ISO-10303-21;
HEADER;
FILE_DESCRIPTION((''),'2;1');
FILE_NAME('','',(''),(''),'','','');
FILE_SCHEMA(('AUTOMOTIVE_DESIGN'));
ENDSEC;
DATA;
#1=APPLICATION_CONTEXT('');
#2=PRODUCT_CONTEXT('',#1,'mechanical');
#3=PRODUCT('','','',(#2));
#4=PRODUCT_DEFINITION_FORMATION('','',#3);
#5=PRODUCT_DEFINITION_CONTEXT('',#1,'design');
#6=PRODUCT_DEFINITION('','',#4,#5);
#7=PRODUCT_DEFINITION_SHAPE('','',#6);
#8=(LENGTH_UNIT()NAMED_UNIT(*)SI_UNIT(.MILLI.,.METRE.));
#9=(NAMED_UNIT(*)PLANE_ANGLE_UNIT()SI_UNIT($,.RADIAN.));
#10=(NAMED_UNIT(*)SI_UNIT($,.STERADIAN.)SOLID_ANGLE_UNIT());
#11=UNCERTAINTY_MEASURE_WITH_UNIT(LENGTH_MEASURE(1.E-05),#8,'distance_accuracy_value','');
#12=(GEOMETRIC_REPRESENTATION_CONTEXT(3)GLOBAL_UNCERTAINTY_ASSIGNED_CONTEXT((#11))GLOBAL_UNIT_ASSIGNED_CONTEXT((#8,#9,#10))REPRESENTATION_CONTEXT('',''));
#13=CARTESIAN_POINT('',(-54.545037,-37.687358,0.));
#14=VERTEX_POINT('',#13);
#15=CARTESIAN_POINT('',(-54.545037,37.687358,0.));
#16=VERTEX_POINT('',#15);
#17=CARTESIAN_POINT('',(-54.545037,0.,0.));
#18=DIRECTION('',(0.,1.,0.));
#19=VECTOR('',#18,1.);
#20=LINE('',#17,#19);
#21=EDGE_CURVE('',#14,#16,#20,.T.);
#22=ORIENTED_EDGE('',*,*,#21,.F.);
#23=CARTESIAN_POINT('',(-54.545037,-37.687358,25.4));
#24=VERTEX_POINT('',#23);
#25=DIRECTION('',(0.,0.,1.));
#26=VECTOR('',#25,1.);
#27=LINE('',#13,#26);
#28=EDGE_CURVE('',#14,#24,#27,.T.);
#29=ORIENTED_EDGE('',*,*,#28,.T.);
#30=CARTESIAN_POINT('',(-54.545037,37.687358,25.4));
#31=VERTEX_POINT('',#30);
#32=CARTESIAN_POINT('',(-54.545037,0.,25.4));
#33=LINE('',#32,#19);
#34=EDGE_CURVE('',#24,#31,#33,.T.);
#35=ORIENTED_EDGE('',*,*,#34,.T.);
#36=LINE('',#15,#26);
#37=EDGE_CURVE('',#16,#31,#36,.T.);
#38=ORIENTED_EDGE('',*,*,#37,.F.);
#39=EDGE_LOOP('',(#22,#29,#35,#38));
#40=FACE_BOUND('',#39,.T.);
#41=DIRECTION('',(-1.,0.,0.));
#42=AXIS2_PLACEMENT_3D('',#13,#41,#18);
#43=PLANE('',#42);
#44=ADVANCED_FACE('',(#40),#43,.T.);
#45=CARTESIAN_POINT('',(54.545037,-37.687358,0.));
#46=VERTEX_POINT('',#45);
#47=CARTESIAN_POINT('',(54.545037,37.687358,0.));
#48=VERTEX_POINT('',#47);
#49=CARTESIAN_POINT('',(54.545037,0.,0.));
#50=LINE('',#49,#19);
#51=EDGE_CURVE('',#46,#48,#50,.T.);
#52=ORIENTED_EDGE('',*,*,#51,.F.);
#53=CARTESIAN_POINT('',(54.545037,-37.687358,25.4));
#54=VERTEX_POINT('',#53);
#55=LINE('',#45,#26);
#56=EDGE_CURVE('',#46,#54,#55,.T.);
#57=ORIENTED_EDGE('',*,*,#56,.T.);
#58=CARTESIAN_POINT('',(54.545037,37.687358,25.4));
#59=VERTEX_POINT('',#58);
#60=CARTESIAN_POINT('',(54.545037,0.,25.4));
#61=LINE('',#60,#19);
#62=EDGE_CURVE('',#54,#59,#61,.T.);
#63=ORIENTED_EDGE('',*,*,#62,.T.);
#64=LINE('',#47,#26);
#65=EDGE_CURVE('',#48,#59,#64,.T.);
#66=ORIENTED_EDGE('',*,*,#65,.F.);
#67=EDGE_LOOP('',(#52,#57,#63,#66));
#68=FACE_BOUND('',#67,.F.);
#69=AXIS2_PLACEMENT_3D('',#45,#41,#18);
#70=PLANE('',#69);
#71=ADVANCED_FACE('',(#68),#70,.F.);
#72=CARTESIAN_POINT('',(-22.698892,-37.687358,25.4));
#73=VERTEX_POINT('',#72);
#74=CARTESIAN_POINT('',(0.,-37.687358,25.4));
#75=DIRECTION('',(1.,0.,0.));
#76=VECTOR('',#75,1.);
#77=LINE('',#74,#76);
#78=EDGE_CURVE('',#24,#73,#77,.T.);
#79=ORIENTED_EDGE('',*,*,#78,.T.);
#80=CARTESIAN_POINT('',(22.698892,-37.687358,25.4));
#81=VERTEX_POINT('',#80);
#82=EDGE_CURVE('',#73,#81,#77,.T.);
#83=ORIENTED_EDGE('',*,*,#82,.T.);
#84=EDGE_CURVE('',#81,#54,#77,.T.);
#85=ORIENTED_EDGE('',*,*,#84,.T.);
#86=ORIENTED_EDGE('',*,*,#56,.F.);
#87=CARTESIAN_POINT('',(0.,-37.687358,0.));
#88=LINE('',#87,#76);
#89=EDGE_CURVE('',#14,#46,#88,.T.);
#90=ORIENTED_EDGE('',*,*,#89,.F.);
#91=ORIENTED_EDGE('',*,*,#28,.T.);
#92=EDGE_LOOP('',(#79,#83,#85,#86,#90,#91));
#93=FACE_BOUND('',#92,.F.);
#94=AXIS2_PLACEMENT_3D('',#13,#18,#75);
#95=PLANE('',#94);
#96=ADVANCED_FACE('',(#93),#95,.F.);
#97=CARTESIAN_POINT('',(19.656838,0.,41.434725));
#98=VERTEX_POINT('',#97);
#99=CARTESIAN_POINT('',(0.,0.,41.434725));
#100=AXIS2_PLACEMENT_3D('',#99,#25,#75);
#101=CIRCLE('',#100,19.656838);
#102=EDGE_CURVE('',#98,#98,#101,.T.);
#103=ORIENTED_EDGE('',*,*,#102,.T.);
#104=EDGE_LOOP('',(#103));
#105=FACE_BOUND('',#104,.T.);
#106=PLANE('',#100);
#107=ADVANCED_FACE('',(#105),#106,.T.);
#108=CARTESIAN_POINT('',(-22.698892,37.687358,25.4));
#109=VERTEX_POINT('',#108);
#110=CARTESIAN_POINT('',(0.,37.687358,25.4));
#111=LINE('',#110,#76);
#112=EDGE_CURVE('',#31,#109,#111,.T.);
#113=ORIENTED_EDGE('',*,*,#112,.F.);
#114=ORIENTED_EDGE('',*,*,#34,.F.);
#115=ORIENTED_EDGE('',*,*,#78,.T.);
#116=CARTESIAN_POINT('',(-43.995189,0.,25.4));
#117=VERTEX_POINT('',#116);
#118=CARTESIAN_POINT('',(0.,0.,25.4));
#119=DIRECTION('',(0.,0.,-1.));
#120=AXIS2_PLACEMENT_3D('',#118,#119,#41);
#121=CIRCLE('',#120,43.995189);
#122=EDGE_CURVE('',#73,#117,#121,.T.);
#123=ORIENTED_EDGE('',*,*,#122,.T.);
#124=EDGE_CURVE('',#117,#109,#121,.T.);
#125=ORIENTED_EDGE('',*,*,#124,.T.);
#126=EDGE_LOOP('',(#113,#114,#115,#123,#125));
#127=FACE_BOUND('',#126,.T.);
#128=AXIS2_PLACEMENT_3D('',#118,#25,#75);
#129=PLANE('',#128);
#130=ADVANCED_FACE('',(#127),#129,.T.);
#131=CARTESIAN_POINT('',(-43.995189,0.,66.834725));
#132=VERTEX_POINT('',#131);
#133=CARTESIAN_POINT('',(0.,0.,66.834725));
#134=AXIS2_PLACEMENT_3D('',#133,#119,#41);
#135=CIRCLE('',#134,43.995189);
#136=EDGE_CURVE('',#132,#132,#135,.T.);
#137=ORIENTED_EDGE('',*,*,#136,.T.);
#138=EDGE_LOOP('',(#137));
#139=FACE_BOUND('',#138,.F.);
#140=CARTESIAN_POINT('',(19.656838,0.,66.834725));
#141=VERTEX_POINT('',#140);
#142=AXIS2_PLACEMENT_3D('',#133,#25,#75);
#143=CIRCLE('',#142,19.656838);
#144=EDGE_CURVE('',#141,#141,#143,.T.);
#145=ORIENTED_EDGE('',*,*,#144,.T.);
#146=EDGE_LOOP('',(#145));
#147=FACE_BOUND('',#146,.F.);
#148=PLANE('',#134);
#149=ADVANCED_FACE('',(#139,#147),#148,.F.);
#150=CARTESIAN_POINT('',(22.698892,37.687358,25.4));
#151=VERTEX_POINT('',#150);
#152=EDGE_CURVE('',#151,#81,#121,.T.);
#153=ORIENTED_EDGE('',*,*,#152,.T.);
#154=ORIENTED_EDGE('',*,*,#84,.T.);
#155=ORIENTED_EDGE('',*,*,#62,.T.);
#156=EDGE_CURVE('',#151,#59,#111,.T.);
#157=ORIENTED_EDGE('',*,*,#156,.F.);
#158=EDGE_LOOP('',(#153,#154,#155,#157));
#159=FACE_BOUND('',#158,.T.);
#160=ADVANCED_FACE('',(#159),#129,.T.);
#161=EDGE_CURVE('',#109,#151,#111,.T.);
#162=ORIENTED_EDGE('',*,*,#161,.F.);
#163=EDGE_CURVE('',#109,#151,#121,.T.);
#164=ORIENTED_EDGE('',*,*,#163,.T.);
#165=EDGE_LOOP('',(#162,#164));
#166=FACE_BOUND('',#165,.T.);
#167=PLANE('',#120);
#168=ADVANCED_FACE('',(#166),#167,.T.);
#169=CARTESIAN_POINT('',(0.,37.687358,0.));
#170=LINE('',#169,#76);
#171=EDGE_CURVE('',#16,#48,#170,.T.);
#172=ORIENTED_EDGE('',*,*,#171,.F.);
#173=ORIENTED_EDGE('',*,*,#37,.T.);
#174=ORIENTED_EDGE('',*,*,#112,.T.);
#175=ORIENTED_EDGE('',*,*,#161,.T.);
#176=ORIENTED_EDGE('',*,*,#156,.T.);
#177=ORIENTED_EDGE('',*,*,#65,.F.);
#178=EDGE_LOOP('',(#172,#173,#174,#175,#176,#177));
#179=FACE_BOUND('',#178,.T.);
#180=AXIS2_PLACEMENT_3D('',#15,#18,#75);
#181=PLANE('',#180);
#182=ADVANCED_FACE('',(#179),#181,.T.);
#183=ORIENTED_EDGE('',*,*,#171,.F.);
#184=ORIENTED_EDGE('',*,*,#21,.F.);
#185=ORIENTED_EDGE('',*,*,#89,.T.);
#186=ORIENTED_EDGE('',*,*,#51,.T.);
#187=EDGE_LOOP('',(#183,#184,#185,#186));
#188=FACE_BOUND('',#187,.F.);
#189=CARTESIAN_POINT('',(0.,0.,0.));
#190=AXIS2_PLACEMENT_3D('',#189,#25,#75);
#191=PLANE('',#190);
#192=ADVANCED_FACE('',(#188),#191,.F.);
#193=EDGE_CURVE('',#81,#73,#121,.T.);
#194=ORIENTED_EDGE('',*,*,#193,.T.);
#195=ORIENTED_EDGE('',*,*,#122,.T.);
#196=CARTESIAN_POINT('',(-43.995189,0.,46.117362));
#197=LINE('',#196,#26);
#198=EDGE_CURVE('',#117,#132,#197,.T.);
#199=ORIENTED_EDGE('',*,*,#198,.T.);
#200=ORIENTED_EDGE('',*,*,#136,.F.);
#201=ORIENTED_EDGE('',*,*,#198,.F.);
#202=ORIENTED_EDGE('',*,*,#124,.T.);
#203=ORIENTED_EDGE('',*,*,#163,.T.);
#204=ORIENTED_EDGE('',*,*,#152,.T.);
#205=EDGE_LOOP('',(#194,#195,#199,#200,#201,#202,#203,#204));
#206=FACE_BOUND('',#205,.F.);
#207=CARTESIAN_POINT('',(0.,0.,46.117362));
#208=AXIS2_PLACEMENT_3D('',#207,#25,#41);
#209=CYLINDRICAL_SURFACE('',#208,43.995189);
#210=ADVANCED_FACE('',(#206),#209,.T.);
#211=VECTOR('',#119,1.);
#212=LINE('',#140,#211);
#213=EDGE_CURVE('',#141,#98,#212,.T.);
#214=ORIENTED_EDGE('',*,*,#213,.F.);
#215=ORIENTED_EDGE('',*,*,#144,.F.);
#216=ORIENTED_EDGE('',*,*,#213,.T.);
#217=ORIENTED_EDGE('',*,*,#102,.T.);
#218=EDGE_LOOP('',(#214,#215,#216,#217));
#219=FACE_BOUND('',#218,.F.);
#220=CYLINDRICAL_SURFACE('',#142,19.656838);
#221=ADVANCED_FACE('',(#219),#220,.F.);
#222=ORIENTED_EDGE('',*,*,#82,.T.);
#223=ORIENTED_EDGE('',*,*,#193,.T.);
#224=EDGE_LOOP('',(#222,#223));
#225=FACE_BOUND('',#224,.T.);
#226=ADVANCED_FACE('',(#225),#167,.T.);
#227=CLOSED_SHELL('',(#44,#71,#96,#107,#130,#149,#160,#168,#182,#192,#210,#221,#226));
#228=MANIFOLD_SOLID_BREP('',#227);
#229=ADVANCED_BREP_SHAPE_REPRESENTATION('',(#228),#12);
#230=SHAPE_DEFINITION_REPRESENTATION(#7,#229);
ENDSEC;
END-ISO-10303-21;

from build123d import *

# Parameters (mm, degrees)
F0_W     = 109.0900748968
F0_H     = 75.3747150302
F1_DEPTH = 25.4
F2_W     = 43.9951886518
F2_H     = 41.4347245544
F4_R     = 19.656837966
F5_DEPTH = 25.4


with BuildPart() as f1:
    # F0 (on Top) → F1 (new body)
    with BuildSketch(Plane.XY):
        Rectangle(F0_W, F0_H)
    extrude(amount=F1_DEPTH)

    # F2 (on Front) → F3 (revolve)
    with BuildSketch(Plane.XZ):
        with Locations((-21.9975943259, 46.1173622772)):
            Rectangle(F2_W, F2_H)
    revolve(axis=Axis((0, 0, 46.1173622772), (0, 0, -1)))

    # F4 (on face) → F5 (cut)
    with BuildSketch(Plane.XY.offset(66.8347245544)):
        Circle(F4_R)
    extrude(amount=-F5_DEPTH, mode=Mode.SUBTRACT)


solid = f1.part
